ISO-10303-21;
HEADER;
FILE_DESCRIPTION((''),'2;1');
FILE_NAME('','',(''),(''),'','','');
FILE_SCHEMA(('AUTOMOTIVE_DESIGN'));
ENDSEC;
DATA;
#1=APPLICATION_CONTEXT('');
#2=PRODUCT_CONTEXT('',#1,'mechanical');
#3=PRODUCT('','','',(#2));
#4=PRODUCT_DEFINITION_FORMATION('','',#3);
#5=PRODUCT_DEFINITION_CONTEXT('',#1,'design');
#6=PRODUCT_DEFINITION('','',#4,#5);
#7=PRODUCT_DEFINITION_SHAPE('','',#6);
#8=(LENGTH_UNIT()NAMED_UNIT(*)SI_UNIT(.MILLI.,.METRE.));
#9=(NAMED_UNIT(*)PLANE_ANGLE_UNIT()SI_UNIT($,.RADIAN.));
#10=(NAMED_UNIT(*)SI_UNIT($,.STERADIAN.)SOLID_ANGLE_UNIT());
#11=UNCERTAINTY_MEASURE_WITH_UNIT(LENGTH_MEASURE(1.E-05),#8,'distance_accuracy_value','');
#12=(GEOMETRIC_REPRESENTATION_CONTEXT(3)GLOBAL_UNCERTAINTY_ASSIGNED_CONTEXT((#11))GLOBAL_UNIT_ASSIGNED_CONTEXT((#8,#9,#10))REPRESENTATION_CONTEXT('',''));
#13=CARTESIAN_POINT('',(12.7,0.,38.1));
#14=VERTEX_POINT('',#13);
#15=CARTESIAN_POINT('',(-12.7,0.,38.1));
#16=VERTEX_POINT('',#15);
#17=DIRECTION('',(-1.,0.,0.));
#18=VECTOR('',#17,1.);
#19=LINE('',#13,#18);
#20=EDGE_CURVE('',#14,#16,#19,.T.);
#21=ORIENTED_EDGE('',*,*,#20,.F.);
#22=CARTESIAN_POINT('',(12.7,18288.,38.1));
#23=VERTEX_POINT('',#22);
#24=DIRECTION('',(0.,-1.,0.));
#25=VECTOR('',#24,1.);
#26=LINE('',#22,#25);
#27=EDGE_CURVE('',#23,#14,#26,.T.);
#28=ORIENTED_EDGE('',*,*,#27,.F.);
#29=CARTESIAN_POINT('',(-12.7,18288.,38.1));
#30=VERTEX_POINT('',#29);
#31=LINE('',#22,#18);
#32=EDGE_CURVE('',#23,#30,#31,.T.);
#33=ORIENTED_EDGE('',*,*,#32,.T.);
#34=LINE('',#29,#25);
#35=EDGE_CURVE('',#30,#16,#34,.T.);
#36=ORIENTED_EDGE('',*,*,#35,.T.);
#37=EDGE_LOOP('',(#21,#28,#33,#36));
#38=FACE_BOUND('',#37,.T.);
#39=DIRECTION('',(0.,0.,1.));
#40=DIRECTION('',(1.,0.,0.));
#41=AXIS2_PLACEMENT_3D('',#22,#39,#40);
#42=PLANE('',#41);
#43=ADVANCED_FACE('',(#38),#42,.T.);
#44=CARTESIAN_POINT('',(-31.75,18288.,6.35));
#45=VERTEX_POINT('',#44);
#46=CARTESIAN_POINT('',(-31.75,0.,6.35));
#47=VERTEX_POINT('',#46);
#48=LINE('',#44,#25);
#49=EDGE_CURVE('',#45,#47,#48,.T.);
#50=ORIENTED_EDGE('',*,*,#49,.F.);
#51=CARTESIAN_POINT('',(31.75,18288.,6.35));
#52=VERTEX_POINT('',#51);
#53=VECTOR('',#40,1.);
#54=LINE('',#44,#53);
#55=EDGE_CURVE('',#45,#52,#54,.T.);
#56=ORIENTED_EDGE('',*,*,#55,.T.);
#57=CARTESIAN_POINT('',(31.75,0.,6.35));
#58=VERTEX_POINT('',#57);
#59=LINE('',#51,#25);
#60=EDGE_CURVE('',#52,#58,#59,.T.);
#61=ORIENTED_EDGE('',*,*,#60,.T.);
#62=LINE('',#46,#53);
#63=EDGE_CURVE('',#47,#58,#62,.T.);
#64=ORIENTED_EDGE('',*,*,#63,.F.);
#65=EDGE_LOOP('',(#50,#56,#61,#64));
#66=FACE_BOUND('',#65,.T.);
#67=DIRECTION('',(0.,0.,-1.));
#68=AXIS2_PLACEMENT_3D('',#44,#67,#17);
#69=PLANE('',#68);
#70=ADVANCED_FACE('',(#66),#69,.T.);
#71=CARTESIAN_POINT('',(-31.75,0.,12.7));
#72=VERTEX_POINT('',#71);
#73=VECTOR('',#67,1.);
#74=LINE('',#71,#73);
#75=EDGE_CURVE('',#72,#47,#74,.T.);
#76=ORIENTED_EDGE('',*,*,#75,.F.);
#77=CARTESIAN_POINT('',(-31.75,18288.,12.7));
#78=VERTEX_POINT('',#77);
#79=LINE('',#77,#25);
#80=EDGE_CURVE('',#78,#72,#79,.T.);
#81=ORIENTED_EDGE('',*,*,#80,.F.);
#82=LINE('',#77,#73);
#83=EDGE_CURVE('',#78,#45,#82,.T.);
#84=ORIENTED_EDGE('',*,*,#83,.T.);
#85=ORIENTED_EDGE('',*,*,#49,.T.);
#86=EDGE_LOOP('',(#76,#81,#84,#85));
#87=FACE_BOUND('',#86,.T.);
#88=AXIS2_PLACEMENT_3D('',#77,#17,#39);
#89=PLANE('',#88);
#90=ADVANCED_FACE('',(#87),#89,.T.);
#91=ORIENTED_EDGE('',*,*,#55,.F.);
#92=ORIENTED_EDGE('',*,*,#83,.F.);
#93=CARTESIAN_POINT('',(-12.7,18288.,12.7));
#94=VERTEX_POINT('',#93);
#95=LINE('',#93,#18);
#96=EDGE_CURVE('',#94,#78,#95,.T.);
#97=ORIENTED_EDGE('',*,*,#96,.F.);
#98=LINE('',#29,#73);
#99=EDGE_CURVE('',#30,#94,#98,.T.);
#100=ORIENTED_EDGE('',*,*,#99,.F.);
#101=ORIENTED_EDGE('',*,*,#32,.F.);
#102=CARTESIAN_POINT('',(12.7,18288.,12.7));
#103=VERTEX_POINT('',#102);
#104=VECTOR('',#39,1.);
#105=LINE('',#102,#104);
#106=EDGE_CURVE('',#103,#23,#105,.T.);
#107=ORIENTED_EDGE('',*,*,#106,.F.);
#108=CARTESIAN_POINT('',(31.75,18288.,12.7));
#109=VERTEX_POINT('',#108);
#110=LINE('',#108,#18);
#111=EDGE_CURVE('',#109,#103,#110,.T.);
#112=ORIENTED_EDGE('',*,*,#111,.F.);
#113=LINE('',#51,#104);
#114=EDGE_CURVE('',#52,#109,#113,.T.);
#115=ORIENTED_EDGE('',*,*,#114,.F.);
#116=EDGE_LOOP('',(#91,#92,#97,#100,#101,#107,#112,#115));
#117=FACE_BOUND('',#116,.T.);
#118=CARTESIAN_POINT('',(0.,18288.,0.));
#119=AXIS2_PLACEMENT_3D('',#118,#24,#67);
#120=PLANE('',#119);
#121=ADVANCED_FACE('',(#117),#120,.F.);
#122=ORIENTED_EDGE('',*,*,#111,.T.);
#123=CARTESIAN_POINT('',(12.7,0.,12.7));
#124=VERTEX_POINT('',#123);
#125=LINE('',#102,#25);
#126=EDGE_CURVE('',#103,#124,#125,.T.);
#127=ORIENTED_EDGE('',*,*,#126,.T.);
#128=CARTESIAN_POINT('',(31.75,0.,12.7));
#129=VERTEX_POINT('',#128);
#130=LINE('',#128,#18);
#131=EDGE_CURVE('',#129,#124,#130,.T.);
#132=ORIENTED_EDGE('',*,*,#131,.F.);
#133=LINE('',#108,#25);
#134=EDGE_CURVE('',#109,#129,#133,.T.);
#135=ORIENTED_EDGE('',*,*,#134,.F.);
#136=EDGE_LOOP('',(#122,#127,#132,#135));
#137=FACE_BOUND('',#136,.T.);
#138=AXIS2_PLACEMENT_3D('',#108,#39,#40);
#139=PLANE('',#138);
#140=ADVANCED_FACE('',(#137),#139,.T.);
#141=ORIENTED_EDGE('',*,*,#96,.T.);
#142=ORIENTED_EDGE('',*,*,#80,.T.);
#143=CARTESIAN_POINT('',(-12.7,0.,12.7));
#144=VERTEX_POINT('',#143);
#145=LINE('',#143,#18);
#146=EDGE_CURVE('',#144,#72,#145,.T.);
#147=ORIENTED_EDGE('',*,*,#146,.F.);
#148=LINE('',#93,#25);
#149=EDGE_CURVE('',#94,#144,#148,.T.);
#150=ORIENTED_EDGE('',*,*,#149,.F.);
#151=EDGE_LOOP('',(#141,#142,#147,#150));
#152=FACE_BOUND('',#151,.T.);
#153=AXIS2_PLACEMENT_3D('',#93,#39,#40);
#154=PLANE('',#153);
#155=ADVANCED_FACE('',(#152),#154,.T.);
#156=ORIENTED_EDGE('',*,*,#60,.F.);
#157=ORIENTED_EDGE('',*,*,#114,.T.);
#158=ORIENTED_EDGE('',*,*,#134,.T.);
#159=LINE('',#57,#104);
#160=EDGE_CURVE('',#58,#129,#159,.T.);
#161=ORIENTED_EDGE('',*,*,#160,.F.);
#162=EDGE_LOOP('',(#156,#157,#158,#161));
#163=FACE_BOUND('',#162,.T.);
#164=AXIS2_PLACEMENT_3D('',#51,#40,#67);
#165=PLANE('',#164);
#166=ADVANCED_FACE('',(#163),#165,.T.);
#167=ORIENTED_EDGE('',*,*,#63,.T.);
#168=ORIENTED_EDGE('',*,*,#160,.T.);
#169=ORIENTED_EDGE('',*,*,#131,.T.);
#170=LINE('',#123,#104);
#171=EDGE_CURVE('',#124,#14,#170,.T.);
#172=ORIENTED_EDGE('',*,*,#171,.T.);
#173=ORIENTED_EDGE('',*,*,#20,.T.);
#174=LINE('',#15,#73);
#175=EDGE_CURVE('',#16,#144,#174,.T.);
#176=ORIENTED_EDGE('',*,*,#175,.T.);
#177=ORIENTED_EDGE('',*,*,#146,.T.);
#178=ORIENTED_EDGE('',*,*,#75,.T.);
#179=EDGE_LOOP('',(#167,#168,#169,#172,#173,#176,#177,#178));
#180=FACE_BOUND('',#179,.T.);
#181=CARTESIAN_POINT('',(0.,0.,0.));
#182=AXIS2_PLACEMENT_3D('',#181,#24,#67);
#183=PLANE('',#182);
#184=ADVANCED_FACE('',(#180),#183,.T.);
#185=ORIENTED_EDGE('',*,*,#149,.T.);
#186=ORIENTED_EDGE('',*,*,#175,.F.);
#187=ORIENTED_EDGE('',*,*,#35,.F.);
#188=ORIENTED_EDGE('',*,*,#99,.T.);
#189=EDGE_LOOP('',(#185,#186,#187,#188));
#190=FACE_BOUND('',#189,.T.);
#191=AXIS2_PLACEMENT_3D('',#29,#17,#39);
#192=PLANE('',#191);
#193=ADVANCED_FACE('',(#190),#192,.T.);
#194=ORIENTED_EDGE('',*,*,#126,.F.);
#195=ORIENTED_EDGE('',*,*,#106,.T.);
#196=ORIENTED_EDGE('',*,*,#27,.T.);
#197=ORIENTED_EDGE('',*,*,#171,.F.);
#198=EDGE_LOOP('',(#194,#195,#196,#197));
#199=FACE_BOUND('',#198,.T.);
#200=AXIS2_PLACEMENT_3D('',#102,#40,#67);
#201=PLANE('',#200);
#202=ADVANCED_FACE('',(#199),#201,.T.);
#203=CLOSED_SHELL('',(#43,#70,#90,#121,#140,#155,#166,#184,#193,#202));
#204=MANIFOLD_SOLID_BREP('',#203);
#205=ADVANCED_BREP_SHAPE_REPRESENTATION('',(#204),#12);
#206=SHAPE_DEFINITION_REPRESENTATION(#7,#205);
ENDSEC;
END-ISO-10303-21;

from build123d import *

# Parameters (mm, degrees)
BOSS_EXTRUDE1_DEPTH = 18288


with BuildPart() as part:
    # Sketch1 → Boss-Extrude1 (new body)
    with BuildSketch(Plane(origin=(0, 0, 0), x_dir=(1, 0, 0), z_dir=(0, 1, 0))):
        Polygon((-31.75, -6.35), (31.75, -6.35), (31.75, -12.7), (12.7, -12.7), (12.7, -38.1), (-12.7, -38.1), (-12.7, -12.7), (-31.75, -12.7), align=None)
    extrude(amount=BOSS_EXTRUDE1_DEPTH)


solid = part.part
